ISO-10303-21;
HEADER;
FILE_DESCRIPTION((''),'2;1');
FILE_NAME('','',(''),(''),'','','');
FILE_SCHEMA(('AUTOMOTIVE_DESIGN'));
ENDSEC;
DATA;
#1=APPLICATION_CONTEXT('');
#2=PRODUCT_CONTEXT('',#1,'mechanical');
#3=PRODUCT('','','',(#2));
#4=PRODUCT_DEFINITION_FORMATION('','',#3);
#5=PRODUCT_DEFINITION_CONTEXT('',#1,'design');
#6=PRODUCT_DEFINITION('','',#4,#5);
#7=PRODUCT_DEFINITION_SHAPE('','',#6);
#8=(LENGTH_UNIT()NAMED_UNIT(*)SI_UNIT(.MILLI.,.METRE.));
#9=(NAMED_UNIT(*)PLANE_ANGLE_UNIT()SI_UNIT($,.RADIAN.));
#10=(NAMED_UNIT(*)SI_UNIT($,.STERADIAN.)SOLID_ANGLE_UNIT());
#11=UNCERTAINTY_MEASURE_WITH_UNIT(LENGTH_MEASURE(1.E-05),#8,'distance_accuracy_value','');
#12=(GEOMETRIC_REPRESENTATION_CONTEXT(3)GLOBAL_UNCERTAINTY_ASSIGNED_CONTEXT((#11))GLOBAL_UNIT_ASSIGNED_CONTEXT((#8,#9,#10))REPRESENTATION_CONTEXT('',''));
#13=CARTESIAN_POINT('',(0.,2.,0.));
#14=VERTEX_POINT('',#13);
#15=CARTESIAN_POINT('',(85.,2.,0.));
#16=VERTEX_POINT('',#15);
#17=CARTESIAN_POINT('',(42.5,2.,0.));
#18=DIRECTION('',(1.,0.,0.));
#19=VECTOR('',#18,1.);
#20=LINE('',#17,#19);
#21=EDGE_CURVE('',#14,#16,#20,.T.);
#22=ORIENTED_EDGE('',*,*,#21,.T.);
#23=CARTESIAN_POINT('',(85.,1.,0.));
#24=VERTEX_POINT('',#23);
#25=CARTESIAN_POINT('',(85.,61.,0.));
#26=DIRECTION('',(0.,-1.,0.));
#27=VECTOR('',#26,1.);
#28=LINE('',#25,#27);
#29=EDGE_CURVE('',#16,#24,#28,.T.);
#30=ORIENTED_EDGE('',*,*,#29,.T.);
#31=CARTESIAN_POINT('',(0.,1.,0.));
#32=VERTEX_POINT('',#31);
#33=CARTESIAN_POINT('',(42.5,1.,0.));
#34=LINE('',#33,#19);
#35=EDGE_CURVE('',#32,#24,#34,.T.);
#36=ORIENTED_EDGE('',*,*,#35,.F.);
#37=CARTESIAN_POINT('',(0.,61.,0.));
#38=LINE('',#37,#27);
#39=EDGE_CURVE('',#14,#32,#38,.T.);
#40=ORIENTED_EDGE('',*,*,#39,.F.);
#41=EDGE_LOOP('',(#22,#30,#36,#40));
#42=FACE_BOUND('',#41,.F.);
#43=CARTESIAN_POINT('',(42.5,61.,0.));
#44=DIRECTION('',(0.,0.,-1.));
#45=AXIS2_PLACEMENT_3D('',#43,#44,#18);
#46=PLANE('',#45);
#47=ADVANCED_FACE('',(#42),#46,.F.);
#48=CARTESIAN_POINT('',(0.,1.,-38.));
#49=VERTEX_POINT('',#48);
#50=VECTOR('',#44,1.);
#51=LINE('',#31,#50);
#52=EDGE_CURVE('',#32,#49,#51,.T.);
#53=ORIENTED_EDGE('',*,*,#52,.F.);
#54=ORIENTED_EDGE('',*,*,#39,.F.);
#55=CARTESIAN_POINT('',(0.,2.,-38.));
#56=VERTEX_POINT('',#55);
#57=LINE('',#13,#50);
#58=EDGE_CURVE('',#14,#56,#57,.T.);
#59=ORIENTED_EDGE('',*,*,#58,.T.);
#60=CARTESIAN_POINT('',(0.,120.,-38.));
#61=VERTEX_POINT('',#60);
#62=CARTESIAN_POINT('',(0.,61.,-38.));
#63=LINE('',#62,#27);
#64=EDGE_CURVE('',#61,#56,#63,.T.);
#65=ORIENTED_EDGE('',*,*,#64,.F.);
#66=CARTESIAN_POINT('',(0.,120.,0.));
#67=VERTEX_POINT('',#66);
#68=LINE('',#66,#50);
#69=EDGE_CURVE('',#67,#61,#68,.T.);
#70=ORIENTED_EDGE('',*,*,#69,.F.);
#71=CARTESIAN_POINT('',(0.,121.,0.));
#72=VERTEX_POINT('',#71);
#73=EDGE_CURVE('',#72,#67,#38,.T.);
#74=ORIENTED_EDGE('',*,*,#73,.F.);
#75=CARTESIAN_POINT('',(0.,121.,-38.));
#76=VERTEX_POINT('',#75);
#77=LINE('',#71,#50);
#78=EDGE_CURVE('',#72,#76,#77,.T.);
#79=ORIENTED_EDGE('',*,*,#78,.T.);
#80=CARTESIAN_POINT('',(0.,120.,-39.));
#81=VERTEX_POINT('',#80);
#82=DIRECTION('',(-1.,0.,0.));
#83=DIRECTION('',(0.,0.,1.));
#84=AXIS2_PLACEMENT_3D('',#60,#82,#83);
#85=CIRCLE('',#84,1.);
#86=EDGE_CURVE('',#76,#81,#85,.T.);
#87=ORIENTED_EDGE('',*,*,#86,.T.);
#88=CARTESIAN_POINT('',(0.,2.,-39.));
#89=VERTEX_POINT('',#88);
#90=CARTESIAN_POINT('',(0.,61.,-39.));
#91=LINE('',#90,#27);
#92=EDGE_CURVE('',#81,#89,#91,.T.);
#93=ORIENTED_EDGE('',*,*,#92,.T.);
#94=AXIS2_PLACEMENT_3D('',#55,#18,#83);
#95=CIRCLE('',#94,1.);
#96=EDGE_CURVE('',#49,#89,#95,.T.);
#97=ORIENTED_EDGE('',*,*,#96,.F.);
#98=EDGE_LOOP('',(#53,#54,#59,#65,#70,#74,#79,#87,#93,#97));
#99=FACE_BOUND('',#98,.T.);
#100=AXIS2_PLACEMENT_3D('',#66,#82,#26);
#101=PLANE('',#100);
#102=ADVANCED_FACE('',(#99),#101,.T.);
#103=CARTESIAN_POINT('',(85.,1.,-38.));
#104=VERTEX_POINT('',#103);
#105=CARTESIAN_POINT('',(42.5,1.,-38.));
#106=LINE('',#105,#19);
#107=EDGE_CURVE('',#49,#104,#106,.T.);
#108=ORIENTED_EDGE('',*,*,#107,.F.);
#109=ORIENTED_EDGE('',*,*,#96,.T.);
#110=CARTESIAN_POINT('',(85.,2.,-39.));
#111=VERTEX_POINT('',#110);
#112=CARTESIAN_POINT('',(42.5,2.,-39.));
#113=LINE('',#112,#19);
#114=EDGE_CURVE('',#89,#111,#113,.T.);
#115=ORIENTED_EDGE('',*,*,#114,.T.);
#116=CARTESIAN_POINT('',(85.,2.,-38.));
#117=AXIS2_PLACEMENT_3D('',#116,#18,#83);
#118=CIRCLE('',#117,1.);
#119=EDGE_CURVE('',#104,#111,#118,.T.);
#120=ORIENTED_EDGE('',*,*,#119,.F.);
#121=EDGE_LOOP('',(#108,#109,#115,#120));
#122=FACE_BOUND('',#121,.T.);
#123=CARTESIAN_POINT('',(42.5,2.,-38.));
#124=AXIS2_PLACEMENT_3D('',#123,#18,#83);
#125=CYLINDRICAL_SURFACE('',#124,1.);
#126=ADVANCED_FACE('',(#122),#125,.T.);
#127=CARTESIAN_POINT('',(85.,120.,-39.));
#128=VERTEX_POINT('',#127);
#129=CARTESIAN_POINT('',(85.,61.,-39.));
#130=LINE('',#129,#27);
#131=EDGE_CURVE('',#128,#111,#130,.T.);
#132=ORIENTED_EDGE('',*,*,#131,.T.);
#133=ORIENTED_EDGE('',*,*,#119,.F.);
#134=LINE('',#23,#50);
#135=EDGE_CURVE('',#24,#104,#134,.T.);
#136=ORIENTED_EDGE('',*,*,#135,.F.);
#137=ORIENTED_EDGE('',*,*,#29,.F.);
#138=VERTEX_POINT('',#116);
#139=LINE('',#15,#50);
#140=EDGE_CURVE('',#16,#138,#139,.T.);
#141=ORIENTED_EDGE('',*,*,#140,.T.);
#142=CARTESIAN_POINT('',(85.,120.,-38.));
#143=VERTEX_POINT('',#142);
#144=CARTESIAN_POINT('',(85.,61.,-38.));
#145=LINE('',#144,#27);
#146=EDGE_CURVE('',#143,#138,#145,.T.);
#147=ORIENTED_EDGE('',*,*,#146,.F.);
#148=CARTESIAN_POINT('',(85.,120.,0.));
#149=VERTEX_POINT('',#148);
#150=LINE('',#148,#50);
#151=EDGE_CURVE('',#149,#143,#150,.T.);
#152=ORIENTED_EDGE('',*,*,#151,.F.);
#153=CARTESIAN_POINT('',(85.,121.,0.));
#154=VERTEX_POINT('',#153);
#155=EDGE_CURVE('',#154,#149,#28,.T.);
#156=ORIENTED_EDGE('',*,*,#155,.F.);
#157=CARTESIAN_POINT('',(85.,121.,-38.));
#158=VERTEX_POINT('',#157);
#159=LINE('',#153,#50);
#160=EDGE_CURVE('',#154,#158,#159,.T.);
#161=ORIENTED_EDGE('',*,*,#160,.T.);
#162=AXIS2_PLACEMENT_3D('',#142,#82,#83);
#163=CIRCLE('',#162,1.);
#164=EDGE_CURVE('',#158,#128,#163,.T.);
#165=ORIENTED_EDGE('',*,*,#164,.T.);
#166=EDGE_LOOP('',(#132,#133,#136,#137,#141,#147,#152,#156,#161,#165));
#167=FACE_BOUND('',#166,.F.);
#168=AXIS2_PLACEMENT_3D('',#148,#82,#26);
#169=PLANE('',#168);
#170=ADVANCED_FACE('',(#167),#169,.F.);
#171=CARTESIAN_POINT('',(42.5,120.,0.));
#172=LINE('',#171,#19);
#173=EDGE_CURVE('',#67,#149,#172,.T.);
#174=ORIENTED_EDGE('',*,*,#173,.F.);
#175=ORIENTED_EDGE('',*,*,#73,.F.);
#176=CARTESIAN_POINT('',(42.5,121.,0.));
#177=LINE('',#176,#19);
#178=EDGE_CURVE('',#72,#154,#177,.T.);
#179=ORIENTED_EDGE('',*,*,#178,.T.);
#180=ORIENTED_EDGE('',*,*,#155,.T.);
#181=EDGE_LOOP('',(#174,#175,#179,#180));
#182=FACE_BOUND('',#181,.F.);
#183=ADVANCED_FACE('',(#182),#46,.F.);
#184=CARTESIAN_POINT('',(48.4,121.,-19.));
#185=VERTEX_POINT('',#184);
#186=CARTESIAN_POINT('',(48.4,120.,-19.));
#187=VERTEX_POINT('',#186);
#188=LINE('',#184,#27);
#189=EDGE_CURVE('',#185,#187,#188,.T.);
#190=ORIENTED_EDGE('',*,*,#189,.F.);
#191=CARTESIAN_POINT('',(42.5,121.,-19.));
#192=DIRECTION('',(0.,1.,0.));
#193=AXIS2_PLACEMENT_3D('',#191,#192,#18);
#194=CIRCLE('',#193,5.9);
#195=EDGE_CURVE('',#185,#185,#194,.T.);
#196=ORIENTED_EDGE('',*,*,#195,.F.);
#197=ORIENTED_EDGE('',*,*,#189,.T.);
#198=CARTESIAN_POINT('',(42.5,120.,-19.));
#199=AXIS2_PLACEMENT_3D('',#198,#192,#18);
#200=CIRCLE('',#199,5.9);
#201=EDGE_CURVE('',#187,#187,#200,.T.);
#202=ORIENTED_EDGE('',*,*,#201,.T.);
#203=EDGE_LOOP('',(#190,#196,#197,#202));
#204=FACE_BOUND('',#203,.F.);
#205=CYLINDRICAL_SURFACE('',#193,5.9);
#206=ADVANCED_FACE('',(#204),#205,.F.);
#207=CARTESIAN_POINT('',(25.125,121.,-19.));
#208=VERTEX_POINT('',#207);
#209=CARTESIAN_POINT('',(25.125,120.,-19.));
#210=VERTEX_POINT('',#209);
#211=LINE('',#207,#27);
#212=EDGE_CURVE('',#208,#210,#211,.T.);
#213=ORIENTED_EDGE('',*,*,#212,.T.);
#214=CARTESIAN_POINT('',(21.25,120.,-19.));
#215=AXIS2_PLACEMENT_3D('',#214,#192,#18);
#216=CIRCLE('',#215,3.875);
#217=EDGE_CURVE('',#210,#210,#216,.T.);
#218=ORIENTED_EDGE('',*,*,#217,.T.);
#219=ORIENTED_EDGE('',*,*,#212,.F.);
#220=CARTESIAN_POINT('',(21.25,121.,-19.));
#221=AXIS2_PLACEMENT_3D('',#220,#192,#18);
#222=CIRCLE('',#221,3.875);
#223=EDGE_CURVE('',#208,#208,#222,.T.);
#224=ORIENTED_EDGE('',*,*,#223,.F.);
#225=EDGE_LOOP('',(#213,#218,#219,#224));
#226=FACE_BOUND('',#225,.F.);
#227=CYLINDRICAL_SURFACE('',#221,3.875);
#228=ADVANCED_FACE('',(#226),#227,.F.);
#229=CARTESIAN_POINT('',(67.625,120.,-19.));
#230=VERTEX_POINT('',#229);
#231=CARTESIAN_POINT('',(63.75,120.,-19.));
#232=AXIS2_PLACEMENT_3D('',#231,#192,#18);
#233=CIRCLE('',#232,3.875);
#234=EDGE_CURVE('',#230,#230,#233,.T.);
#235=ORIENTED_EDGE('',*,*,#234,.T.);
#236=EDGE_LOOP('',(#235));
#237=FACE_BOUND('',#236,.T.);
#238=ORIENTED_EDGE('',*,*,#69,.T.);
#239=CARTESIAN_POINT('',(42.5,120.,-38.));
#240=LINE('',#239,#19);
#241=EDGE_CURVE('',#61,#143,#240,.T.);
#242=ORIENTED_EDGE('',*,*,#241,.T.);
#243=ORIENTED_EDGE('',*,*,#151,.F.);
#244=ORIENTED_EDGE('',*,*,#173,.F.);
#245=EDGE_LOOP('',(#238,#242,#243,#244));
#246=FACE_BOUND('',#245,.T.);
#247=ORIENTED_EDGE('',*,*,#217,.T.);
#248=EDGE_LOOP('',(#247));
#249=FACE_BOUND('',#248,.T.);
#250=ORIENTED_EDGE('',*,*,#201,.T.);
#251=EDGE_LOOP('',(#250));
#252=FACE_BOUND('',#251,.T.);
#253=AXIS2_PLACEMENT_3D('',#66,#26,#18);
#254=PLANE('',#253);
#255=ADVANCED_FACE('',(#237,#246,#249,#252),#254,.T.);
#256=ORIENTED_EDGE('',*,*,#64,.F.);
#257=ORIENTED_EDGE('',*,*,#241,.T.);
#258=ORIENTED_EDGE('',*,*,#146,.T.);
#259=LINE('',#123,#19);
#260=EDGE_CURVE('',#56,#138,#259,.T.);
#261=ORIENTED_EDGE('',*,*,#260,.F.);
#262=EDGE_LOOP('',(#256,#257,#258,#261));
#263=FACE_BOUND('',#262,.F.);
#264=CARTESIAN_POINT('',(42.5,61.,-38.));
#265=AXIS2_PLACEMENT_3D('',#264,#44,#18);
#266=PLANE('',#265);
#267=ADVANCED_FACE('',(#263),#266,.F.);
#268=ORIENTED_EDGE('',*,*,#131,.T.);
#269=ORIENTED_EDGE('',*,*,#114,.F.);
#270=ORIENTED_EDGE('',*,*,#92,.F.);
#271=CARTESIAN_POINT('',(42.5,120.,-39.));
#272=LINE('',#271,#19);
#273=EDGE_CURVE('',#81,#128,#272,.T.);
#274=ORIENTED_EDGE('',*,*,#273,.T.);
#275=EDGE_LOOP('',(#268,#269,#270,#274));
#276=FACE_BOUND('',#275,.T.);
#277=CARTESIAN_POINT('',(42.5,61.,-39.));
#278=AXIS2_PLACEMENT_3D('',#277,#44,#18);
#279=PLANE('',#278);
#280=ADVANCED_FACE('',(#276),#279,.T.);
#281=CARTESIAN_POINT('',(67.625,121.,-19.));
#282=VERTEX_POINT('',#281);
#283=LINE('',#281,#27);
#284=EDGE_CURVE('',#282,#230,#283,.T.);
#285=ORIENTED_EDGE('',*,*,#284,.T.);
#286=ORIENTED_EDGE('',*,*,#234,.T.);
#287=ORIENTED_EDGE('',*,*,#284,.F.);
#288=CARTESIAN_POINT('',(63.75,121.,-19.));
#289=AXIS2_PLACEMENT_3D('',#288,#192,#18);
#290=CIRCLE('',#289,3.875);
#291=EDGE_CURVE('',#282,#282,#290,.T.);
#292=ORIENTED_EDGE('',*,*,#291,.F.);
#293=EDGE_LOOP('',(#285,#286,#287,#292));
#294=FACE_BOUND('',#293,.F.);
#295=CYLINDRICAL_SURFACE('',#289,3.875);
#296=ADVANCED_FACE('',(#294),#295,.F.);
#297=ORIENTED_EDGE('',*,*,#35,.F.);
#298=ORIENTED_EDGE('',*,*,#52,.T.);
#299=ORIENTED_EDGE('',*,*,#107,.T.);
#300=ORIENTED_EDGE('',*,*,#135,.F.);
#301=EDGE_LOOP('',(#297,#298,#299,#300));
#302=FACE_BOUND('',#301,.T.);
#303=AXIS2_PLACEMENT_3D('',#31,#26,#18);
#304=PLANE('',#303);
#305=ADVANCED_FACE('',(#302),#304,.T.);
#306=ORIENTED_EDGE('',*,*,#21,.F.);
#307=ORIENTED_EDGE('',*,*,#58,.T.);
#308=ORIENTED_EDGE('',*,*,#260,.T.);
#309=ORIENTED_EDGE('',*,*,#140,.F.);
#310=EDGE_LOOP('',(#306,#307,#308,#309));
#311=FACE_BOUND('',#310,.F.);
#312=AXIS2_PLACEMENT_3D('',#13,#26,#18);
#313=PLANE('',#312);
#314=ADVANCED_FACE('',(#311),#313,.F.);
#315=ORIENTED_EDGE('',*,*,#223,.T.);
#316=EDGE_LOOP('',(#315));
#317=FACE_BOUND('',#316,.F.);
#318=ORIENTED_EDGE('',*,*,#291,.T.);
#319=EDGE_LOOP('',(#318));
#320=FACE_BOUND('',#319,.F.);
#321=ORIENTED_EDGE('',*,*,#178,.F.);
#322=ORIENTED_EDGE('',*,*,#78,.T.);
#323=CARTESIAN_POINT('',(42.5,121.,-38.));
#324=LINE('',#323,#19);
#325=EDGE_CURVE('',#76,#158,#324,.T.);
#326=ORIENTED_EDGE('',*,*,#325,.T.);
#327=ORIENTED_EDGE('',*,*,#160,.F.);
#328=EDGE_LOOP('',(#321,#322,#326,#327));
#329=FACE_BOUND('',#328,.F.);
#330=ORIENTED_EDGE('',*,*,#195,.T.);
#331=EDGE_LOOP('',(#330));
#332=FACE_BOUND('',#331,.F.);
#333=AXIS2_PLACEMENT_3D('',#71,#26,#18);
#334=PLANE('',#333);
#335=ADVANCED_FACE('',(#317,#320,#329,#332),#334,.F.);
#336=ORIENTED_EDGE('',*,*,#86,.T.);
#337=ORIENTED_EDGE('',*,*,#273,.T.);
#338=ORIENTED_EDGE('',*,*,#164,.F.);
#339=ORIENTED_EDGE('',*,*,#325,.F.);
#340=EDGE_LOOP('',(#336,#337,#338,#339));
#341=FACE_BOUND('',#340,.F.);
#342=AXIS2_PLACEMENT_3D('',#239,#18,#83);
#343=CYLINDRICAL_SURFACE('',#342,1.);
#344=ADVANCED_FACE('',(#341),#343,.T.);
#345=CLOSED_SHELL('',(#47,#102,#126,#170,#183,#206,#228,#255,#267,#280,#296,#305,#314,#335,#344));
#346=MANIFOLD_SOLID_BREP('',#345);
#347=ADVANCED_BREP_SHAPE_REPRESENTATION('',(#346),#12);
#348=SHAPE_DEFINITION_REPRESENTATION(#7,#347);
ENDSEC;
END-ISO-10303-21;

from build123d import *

# Parameters (mm, degrees)
SKETCH002_W             = 85
SKETCH002_H             = 118
PAD001_DEPTH            = 38
THICKNESS001_T          = 1
SKETCH008_R             = 3.875
SKETCH008_R_2           = 5.9
POCKET_DEPTH            = 5
BODY001_PLACEMENT_ANGLE = 180


with BuildPart() as part:
    # Sketch002 → Pad001 (new body)
    with BuildSketch(Plane.XY):
        with Locations((42.5, 59)):
            Rectangle(SKETCH002_W, SKETCH002_H)
    extrude(amount=PAD001_DEPTH)

    # Thickness001
    thickness001_openings = [part.faces().sort_by_distance(p)[0] for p in [
        (85, 59, 19),
        (42.5, 59, 0),
        (0, 59, 19),
    ]]
    offset(amount=THICKNESS001_T, openings=thickness001_openings)

    # Sketch008 (on Face10 of Thickness001) → Pocket (cut)
    with BuildSketch(Plane.XZ.offset(1)):
        with Locations((63.75, 19)):
            Circle(SKETCH008_R)
        with Locations((21.25, 19)):
            Circle(SKETCH008_R)
        with Locations((42.5, 19)):
            Circle(SKETCH008_R_2)
    extrude(amount=-POCKET_DEPTH, mode=Mode.SUBTRACT)


with BuildPart() as part_1:
    # Body001 placement: moved
    add(part.part.moved(Location((0, 120, 0))).rotate(Axis((0, 120, 0), (1, 0, 0)), BODY001_PLACEMENT_ANGLE))


solid = part_1.part
